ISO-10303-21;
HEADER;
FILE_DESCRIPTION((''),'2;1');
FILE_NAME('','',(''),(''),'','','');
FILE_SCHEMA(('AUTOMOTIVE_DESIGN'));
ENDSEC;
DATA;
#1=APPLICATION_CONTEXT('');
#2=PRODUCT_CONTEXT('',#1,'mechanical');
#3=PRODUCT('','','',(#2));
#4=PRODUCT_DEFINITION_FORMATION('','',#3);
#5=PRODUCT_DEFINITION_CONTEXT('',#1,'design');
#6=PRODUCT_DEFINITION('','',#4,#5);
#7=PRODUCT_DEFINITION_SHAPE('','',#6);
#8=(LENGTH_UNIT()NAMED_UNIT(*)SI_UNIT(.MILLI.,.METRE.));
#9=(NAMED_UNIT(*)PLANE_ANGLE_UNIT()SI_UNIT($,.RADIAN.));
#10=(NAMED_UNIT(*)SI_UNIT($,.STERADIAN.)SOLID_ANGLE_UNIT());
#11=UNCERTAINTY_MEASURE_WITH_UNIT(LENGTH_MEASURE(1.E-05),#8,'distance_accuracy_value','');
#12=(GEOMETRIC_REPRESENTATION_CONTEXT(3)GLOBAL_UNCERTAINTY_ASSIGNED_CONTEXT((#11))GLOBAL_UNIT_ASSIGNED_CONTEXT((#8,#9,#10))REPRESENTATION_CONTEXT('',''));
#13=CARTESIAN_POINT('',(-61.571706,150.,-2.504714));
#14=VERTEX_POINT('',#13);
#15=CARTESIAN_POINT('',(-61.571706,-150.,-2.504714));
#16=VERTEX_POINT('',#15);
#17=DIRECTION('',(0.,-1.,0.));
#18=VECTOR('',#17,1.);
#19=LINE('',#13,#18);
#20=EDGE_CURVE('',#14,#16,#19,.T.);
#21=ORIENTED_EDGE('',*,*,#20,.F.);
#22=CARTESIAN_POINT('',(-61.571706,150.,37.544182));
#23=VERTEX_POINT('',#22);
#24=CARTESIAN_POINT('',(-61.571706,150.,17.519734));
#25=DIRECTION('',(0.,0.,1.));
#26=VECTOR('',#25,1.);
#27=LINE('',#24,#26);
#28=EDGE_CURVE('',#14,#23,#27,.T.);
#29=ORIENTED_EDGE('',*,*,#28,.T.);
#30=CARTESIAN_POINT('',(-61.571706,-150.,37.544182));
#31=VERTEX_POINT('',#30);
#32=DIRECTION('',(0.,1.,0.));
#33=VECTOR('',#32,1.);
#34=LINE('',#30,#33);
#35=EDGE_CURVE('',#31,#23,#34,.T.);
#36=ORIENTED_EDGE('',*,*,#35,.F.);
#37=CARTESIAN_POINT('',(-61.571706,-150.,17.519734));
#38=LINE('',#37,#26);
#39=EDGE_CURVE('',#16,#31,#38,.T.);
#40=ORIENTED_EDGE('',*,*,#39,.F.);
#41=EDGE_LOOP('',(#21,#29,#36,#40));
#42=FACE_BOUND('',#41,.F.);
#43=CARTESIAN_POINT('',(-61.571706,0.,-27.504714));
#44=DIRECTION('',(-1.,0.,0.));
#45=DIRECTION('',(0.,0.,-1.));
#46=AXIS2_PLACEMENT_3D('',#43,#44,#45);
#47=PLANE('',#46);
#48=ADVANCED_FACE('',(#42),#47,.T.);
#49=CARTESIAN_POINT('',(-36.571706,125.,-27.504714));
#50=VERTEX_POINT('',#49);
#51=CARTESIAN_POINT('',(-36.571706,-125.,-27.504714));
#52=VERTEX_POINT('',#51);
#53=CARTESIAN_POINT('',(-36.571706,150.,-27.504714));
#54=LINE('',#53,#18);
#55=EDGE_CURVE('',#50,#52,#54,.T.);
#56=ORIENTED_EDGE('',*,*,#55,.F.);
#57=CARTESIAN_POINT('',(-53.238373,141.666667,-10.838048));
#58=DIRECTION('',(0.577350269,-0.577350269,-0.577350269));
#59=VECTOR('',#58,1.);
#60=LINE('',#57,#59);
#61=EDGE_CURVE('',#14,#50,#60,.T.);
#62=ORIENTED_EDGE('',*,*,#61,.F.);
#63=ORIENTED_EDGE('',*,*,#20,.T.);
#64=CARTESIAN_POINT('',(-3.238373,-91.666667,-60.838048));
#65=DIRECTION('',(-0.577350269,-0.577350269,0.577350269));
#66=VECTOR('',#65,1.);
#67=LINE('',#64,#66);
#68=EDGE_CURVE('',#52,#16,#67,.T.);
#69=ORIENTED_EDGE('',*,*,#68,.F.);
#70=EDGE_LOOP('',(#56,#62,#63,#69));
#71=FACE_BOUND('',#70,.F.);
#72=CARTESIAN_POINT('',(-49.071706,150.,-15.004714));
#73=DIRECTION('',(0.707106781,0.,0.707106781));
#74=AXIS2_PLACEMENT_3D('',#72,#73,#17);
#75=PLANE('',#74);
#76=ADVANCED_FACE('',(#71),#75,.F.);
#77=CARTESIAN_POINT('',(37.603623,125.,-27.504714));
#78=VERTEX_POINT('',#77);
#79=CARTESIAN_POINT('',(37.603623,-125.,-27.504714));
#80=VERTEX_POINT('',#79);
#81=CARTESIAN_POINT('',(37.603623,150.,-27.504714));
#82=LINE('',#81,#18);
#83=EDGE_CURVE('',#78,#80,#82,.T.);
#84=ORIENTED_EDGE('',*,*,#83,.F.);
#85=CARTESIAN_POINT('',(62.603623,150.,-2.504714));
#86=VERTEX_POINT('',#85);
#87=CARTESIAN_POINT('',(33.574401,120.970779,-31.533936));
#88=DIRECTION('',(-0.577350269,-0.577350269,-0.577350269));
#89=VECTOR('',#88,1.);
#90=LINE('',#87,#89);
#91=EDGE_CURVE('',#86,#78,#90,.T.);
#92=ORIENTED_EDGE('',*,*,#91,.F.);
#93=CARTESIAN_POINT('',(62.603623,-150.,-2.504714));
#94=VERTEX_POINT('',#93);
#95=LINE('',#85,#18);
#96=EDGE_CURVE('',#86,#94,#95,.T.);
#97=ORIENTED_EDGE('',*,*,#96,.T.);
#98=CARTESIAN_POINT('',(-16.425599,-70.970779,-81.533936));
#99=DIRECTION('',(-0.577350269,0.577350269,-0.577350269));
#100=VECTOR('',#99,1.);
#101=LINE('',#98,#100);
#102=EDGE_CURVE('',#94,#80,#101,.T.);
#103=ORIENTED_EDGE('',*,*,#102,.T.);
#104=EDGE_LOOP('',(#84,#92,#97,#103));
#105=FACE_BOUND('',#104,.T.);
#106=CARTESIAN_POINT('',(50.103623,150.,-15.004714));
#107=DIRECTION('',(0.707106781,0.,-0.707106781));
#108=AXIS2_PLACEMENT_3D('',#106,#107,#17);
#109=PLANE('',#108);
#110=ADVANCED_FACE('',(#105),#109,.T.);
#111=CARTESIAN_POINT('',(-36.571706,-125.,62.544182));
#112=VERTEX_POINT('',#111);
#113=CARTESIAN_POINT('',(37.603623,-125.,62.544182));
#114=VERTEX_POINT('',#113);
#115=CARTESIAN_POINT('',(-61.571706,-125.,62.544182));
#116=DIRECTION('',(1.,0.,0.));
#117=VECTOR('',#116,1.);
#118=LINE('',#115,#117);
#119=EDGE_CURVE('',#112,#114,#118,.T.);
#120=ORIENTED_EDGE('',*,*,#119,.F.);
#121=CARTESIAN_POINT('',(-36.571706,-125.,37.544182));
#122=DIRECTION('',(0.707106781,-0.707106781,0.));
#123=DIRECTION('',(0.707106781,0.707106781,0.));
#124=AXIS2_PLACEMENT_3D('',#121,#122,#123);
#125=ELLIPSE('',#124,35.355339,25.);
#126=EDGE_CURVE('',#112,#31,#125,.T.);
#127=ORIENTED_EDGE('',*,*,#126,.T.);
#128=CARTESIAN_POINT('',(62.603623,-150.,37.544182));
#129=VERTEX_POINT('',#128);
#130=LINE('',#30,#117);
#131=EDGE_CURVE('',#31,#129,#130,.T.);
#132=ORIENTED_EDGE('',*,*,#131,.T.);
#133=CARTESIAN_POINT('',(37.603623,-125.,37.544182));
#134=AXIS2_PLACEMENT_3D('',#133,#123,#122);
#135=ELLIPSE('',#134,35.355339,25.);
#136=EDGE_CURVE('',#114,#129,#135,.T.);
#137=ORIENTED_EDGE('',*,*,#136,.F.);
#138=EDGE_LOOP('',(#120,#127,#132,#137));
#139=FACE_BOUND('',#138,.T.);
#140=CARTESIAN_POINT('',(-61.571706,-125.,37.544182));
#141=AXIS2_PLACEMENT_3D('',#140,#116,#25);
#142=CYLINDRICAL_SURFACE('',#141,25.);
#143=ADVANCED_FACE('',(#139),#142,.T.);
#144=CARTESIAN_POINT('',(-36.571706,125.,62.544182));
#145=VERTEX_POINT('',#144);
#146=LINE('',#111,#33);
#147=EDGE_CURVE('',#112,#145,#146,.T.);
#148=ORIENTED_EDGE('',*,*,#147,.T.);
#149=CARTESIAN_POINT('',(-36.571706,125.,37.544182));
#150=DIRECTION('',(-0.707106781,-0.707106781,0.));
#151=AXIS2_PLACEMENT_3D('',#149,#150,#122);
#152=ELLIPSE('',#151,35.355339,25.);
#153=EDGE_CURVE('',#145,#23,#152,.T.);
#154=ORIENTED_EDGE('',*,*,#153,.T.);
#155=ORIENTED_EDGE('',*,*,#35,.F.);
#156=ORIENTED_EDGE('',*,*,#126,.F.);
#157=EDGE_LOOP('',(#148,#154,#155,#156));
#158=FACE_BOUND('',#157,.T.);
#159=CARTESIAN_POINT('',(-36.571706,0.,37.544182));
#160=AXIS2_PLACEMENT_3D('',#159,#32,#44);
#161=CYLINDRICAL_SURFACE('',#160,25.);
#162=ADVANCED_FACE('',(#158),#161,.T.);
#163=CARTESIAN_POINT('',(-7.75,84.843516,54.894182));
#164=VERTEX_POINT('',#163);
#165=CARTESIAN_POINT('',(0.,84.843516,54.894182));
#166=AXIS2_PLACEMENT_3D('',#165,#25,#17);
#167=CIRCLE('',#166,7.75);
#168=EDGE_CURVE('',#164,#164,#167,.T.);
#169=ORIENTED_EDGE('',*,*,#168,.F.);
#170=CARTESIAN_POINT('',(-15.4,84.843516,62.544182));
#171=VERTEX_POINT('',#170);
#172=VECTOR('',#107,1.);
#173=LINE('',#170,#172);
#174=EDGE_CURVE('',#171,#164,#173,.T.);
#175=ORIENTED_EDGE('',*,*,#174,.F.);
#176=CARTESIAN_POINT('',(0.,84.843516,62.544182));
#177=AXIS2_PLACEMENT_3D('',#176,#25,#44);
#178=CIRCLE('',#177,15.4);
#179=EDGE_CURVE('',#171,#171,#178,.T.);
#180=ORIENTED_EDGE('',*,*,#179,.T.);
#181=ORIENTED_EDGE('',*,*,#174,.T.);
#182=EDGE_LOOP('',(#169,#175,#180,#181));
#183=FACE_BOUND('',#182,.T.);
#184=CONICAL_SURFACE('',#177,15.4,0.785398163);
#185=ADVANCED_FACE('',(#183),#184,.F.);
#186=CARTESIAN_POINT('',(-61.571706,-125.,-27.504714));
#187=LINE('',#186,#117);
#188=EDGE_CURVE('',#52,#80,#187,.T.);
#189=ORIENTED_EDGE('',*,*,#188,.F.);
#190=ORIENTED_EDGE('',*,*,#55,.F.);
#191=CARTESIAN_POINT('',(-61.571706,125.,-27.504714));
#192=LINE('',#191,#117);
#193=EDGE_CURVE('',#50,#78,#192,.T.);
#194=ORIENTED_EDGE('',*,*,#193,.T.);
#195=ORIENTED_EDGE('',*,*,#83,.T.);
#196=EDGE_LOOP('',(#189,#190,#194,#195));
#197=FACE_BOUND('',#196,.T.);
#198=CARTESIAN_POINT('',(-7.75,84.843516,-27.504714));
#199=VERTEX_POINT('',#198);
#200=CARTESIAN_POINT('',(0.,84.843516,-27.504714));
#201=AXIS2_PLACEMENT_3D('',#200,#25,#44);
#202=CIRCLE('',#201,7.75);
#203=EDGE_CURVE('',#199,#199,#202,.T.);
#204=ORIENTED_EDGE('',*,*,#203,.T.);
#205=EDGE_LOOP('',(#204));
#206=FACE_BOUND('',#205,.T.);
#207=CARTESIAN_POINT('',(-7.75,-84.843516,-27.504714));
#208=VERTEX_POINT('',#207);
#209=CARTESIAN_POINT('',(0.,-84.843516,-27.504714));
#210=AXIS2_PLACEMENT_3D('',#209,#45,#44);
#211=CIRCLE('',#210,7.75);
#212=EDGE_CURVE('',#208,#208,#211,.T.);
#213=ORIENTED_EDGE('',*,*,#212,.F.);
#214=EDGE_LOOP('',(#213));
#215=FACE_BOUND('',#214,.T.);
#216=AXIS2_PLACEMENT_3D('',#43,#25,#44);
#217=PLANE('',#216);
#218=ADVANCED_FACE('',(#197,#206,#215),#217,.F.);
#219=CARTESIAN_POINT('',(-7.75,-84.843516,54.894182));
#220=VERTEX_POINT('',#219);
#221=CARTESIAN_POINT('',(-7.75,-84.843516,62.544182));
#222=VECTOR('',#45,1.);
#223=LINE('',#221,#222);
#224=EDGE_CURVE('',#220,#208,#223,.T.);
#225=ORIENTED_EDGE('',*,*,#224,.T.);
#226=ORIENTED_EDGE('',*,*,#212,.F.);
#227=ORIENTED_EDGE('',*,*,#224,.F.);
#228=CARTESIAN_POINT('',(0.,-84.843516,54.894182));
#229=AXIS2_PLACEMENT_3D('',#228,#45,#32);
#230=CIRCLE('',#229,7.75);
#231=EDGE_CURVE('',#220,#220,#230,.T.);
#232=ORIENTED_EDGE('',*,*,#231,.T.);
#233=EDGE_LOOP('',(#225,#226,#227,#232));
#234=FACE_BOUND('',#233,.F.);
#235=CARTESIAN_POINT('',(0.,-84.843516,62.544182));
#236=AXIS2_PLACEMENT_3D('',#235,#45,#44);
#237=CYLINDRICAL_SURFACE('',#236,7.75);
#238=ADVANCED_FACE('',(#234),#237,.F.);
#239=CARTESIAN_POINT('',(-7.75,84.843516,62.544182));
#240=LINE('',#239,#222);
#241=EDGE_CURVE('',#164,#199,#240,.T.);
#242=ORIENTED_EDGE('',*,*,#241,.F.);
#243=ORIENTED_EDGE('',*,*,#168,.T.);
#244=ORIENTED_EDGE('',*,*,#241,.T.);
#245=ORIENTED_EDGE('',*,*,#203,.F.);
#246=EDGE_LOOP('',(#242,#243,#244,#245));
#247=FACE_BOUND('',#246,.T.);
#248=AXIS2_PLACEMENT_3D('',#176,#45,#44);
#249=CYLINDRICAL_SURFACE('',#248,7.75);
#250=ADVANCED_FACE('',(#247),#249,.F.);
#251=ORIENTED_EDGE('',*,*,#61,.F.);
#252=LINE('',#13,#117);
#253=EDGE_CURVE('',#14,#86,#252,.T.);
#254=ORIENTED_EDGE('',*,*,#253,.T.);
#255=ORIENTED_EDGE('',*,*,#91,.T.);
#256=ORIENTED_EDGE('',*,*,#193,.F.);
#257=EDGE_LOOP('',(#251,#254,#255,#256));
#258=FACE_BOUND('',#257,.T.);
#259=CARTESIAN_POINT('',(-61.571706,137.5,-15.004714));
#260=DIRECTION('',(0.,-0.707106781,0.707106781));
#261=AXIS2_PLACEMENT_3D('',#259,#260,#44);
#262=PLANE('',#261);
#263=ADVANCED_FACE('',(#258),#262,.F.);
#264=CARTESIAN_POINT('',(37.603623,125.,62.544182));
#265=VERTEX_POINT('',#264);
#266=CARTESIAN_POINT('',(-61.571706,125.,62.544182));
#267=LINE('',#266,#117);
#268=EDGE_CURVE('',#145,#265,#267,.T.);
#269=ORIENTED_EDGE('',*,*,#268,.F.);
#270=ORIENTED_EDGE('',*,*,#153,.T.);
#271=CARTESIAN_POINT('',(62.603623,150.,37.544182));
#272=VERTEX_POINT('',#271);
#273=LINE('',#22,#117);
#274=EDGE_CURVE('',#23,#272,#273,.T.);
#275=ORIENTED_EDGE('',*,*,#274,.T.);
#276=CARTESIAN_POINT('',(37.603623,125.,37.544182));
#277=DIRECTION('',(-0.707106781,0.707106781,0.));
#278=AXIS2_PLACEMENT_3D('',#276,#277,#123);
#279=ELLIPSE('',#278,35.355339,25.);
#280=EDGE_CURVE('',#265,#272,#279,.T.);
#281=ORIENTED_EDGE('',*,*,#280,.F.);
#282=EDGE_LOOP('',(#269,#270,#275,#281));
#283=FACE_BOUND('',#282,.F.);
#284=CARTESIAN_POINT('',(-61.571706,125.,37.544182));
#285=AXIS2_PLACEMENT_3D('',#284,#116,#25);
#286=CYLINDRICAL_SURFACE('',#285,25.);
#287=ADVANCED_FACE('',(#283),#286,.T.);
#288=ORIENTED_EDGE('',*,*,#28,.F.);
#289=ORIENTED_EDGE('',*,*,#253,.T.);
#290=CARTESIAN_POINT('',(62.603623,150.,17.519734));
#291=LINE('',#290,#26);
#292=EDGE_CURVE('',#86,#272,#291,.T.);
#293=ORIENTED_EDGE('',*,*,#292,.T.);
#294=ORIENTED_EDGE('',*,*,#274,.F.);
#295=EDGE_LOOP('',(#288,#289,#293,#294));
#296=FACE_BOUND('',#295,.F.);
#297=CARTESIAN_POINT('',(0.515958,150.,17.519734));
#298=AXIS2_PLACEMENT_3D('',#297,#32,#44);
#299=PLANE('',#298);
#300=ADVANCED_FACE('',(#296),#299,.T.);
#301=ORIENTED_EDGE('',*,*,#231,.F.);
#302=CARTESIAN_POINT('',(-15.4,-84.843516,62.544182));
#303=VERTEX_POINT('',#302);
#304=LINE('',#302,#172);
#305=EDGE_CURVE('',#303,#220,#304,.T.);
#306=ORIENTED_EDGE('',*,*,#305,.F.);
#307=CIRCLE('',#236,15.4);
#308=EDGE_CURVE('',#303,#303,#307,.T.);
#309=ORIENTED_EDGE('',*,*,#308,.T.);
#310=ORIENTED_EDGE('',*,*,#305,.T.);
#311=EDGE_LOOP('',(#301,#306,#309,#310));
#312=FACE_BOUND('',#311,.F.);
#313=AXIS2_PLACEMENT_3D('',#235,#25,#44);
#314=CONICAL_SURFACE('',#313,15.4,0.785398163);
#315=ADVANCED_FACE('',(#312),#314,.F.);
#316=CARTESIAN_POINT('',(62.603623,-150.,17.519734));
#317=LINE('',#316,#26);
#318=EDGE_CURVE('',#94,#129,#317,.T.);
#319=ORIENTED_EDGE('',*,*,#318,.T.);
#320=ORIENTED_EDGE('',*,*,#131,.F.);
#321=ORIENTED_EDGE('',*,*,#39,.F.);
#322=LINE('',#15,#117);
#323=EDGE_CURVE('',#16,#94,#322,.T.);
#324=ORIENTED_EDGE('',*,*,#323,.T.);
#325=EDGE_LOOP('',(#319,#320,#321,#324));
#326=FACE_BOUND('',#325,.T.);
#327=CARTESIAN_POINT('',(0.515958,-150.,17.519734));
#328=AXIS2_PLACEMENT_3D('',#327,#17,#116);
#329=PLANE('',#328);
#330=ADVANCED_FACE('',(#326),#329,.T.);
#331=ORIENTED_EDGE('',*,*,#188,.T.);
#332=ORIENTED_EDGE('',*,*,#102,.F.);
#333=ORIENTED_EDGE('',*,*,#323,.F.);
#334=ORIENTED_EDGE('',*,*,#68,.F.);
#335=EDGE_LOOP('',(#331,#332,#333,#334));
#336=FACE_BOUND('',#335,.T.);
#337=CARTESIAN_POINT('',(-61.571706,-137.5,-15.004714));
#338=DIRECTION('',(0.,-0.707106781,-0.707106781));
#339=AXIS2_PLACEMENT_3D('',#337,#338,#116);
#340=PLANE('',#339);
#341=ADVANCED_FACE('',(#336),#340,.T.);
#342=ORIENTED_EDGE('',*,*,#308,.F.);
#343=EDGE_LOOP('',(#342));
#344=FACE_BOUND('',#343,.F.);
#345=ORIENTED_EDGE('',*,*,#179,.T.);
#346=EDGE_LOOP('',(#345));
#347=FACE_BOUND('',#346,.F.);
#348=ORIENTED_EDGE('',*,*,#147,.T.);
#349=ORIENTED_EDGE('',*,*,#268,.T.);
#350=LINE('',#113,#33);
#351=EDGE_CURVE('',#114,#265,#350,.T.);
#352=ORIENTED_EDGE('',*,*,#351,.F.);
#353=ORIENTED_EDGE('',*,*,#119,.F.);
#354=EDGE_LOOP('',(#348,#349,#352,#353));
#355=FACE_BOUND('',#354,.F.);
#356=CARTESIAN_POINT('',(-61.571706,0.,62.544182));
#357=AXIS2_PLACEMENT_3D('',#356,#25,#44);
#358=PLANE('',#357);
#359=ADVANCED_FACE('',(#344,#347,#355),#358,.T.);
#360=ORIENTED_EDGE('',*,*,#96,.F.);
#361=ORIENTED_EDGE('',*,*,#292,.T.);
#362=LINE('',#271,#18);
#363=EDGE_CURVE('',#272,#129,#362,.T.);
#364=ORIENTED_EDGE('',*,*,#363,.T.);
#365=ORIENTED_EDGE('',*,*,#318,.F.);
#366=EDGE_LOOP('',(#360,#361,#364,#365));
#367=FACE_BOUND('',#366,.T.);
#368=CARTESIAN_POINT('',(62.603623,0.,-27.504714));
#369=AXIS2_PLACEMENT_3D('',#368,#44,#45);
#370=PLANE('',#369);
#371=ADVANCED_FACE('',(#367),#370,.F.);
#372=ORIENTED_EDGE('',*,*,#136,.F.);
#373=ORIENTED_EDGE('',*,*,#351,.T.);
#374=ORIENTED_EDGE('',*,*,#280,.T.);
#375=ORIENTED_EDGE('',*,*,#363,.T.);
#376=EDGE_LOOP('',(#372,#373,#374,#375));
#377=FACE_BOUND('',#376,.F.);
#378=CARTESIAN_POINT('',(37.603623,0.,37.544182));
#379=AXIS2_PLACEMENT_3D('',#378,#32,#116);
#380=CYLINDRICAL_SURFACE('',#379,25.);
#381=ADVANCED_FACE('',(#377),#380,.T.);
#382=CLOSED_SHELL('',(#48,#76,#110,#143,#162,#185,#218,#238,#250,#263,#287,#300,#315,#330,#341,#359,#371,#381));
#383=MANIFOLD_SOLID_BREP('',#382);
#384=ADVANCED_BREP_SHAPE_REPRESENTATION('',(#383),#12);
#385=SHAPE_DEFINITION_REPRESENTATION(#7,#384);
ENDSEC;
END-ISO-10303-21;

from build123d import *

# Parameters (mm, degrees)
F0_W           = 124.1753287613
F0_H           = 90.0488961488
F1_DEPTH       = 150
F2_R           = 25
F4_D           = 15.5
F4_CSINK_D     = 30.8
F4_CSINK_ANGLE = 90
F6_SIZE        = 25


with BuildPart() as f1:
    # F0 (on Front) → F1 (new body)
    with BuildSketch(Plane.XZ):
        with Locations((0.5159582943, 17.5197338685)):
            Rectangle(F0_W, F0_H)
    extrude(amount=F1_DEPTH)

    # F2
    f2_edges = [f1.edges().sort_by_distance(p)[0] for p in [
        (0.515958, -150, 62.544182),
        (62.603623, -75, 62.544182),
        (-61.571706, -75, 62.544182),
    ]]
    fillet(f2_edges, radius=F2_R)

    # F4 (through all)
    with Locations(Plane.XY.offset(62.5441819429)):
        with Locations((0, -84.8435163498)):
            CounterSinkHole(F4_D / 2, F4_CSINK_D / 2, counter_sink_angle=F4_CSINK_ANGLE)

    # F5: F1 across plane


with BuildPart() as f1_1:
    add(f1.part)
    add(f1.part.mirror(Plane.XZ))

    # F6
    f6_edges = [f1_1.edges().sort_by_distance(p)[0] for p in [
        (62.603623, 0, -27.504714),
        (0.515958, 150, -27.504714),
        (0.515958, -150, -27.504714),
        (-61.571706, 0, -27.504714),
    ]]
    chamfer(f6_edges, length=F6_SIZE)


solid = f1_1.part
